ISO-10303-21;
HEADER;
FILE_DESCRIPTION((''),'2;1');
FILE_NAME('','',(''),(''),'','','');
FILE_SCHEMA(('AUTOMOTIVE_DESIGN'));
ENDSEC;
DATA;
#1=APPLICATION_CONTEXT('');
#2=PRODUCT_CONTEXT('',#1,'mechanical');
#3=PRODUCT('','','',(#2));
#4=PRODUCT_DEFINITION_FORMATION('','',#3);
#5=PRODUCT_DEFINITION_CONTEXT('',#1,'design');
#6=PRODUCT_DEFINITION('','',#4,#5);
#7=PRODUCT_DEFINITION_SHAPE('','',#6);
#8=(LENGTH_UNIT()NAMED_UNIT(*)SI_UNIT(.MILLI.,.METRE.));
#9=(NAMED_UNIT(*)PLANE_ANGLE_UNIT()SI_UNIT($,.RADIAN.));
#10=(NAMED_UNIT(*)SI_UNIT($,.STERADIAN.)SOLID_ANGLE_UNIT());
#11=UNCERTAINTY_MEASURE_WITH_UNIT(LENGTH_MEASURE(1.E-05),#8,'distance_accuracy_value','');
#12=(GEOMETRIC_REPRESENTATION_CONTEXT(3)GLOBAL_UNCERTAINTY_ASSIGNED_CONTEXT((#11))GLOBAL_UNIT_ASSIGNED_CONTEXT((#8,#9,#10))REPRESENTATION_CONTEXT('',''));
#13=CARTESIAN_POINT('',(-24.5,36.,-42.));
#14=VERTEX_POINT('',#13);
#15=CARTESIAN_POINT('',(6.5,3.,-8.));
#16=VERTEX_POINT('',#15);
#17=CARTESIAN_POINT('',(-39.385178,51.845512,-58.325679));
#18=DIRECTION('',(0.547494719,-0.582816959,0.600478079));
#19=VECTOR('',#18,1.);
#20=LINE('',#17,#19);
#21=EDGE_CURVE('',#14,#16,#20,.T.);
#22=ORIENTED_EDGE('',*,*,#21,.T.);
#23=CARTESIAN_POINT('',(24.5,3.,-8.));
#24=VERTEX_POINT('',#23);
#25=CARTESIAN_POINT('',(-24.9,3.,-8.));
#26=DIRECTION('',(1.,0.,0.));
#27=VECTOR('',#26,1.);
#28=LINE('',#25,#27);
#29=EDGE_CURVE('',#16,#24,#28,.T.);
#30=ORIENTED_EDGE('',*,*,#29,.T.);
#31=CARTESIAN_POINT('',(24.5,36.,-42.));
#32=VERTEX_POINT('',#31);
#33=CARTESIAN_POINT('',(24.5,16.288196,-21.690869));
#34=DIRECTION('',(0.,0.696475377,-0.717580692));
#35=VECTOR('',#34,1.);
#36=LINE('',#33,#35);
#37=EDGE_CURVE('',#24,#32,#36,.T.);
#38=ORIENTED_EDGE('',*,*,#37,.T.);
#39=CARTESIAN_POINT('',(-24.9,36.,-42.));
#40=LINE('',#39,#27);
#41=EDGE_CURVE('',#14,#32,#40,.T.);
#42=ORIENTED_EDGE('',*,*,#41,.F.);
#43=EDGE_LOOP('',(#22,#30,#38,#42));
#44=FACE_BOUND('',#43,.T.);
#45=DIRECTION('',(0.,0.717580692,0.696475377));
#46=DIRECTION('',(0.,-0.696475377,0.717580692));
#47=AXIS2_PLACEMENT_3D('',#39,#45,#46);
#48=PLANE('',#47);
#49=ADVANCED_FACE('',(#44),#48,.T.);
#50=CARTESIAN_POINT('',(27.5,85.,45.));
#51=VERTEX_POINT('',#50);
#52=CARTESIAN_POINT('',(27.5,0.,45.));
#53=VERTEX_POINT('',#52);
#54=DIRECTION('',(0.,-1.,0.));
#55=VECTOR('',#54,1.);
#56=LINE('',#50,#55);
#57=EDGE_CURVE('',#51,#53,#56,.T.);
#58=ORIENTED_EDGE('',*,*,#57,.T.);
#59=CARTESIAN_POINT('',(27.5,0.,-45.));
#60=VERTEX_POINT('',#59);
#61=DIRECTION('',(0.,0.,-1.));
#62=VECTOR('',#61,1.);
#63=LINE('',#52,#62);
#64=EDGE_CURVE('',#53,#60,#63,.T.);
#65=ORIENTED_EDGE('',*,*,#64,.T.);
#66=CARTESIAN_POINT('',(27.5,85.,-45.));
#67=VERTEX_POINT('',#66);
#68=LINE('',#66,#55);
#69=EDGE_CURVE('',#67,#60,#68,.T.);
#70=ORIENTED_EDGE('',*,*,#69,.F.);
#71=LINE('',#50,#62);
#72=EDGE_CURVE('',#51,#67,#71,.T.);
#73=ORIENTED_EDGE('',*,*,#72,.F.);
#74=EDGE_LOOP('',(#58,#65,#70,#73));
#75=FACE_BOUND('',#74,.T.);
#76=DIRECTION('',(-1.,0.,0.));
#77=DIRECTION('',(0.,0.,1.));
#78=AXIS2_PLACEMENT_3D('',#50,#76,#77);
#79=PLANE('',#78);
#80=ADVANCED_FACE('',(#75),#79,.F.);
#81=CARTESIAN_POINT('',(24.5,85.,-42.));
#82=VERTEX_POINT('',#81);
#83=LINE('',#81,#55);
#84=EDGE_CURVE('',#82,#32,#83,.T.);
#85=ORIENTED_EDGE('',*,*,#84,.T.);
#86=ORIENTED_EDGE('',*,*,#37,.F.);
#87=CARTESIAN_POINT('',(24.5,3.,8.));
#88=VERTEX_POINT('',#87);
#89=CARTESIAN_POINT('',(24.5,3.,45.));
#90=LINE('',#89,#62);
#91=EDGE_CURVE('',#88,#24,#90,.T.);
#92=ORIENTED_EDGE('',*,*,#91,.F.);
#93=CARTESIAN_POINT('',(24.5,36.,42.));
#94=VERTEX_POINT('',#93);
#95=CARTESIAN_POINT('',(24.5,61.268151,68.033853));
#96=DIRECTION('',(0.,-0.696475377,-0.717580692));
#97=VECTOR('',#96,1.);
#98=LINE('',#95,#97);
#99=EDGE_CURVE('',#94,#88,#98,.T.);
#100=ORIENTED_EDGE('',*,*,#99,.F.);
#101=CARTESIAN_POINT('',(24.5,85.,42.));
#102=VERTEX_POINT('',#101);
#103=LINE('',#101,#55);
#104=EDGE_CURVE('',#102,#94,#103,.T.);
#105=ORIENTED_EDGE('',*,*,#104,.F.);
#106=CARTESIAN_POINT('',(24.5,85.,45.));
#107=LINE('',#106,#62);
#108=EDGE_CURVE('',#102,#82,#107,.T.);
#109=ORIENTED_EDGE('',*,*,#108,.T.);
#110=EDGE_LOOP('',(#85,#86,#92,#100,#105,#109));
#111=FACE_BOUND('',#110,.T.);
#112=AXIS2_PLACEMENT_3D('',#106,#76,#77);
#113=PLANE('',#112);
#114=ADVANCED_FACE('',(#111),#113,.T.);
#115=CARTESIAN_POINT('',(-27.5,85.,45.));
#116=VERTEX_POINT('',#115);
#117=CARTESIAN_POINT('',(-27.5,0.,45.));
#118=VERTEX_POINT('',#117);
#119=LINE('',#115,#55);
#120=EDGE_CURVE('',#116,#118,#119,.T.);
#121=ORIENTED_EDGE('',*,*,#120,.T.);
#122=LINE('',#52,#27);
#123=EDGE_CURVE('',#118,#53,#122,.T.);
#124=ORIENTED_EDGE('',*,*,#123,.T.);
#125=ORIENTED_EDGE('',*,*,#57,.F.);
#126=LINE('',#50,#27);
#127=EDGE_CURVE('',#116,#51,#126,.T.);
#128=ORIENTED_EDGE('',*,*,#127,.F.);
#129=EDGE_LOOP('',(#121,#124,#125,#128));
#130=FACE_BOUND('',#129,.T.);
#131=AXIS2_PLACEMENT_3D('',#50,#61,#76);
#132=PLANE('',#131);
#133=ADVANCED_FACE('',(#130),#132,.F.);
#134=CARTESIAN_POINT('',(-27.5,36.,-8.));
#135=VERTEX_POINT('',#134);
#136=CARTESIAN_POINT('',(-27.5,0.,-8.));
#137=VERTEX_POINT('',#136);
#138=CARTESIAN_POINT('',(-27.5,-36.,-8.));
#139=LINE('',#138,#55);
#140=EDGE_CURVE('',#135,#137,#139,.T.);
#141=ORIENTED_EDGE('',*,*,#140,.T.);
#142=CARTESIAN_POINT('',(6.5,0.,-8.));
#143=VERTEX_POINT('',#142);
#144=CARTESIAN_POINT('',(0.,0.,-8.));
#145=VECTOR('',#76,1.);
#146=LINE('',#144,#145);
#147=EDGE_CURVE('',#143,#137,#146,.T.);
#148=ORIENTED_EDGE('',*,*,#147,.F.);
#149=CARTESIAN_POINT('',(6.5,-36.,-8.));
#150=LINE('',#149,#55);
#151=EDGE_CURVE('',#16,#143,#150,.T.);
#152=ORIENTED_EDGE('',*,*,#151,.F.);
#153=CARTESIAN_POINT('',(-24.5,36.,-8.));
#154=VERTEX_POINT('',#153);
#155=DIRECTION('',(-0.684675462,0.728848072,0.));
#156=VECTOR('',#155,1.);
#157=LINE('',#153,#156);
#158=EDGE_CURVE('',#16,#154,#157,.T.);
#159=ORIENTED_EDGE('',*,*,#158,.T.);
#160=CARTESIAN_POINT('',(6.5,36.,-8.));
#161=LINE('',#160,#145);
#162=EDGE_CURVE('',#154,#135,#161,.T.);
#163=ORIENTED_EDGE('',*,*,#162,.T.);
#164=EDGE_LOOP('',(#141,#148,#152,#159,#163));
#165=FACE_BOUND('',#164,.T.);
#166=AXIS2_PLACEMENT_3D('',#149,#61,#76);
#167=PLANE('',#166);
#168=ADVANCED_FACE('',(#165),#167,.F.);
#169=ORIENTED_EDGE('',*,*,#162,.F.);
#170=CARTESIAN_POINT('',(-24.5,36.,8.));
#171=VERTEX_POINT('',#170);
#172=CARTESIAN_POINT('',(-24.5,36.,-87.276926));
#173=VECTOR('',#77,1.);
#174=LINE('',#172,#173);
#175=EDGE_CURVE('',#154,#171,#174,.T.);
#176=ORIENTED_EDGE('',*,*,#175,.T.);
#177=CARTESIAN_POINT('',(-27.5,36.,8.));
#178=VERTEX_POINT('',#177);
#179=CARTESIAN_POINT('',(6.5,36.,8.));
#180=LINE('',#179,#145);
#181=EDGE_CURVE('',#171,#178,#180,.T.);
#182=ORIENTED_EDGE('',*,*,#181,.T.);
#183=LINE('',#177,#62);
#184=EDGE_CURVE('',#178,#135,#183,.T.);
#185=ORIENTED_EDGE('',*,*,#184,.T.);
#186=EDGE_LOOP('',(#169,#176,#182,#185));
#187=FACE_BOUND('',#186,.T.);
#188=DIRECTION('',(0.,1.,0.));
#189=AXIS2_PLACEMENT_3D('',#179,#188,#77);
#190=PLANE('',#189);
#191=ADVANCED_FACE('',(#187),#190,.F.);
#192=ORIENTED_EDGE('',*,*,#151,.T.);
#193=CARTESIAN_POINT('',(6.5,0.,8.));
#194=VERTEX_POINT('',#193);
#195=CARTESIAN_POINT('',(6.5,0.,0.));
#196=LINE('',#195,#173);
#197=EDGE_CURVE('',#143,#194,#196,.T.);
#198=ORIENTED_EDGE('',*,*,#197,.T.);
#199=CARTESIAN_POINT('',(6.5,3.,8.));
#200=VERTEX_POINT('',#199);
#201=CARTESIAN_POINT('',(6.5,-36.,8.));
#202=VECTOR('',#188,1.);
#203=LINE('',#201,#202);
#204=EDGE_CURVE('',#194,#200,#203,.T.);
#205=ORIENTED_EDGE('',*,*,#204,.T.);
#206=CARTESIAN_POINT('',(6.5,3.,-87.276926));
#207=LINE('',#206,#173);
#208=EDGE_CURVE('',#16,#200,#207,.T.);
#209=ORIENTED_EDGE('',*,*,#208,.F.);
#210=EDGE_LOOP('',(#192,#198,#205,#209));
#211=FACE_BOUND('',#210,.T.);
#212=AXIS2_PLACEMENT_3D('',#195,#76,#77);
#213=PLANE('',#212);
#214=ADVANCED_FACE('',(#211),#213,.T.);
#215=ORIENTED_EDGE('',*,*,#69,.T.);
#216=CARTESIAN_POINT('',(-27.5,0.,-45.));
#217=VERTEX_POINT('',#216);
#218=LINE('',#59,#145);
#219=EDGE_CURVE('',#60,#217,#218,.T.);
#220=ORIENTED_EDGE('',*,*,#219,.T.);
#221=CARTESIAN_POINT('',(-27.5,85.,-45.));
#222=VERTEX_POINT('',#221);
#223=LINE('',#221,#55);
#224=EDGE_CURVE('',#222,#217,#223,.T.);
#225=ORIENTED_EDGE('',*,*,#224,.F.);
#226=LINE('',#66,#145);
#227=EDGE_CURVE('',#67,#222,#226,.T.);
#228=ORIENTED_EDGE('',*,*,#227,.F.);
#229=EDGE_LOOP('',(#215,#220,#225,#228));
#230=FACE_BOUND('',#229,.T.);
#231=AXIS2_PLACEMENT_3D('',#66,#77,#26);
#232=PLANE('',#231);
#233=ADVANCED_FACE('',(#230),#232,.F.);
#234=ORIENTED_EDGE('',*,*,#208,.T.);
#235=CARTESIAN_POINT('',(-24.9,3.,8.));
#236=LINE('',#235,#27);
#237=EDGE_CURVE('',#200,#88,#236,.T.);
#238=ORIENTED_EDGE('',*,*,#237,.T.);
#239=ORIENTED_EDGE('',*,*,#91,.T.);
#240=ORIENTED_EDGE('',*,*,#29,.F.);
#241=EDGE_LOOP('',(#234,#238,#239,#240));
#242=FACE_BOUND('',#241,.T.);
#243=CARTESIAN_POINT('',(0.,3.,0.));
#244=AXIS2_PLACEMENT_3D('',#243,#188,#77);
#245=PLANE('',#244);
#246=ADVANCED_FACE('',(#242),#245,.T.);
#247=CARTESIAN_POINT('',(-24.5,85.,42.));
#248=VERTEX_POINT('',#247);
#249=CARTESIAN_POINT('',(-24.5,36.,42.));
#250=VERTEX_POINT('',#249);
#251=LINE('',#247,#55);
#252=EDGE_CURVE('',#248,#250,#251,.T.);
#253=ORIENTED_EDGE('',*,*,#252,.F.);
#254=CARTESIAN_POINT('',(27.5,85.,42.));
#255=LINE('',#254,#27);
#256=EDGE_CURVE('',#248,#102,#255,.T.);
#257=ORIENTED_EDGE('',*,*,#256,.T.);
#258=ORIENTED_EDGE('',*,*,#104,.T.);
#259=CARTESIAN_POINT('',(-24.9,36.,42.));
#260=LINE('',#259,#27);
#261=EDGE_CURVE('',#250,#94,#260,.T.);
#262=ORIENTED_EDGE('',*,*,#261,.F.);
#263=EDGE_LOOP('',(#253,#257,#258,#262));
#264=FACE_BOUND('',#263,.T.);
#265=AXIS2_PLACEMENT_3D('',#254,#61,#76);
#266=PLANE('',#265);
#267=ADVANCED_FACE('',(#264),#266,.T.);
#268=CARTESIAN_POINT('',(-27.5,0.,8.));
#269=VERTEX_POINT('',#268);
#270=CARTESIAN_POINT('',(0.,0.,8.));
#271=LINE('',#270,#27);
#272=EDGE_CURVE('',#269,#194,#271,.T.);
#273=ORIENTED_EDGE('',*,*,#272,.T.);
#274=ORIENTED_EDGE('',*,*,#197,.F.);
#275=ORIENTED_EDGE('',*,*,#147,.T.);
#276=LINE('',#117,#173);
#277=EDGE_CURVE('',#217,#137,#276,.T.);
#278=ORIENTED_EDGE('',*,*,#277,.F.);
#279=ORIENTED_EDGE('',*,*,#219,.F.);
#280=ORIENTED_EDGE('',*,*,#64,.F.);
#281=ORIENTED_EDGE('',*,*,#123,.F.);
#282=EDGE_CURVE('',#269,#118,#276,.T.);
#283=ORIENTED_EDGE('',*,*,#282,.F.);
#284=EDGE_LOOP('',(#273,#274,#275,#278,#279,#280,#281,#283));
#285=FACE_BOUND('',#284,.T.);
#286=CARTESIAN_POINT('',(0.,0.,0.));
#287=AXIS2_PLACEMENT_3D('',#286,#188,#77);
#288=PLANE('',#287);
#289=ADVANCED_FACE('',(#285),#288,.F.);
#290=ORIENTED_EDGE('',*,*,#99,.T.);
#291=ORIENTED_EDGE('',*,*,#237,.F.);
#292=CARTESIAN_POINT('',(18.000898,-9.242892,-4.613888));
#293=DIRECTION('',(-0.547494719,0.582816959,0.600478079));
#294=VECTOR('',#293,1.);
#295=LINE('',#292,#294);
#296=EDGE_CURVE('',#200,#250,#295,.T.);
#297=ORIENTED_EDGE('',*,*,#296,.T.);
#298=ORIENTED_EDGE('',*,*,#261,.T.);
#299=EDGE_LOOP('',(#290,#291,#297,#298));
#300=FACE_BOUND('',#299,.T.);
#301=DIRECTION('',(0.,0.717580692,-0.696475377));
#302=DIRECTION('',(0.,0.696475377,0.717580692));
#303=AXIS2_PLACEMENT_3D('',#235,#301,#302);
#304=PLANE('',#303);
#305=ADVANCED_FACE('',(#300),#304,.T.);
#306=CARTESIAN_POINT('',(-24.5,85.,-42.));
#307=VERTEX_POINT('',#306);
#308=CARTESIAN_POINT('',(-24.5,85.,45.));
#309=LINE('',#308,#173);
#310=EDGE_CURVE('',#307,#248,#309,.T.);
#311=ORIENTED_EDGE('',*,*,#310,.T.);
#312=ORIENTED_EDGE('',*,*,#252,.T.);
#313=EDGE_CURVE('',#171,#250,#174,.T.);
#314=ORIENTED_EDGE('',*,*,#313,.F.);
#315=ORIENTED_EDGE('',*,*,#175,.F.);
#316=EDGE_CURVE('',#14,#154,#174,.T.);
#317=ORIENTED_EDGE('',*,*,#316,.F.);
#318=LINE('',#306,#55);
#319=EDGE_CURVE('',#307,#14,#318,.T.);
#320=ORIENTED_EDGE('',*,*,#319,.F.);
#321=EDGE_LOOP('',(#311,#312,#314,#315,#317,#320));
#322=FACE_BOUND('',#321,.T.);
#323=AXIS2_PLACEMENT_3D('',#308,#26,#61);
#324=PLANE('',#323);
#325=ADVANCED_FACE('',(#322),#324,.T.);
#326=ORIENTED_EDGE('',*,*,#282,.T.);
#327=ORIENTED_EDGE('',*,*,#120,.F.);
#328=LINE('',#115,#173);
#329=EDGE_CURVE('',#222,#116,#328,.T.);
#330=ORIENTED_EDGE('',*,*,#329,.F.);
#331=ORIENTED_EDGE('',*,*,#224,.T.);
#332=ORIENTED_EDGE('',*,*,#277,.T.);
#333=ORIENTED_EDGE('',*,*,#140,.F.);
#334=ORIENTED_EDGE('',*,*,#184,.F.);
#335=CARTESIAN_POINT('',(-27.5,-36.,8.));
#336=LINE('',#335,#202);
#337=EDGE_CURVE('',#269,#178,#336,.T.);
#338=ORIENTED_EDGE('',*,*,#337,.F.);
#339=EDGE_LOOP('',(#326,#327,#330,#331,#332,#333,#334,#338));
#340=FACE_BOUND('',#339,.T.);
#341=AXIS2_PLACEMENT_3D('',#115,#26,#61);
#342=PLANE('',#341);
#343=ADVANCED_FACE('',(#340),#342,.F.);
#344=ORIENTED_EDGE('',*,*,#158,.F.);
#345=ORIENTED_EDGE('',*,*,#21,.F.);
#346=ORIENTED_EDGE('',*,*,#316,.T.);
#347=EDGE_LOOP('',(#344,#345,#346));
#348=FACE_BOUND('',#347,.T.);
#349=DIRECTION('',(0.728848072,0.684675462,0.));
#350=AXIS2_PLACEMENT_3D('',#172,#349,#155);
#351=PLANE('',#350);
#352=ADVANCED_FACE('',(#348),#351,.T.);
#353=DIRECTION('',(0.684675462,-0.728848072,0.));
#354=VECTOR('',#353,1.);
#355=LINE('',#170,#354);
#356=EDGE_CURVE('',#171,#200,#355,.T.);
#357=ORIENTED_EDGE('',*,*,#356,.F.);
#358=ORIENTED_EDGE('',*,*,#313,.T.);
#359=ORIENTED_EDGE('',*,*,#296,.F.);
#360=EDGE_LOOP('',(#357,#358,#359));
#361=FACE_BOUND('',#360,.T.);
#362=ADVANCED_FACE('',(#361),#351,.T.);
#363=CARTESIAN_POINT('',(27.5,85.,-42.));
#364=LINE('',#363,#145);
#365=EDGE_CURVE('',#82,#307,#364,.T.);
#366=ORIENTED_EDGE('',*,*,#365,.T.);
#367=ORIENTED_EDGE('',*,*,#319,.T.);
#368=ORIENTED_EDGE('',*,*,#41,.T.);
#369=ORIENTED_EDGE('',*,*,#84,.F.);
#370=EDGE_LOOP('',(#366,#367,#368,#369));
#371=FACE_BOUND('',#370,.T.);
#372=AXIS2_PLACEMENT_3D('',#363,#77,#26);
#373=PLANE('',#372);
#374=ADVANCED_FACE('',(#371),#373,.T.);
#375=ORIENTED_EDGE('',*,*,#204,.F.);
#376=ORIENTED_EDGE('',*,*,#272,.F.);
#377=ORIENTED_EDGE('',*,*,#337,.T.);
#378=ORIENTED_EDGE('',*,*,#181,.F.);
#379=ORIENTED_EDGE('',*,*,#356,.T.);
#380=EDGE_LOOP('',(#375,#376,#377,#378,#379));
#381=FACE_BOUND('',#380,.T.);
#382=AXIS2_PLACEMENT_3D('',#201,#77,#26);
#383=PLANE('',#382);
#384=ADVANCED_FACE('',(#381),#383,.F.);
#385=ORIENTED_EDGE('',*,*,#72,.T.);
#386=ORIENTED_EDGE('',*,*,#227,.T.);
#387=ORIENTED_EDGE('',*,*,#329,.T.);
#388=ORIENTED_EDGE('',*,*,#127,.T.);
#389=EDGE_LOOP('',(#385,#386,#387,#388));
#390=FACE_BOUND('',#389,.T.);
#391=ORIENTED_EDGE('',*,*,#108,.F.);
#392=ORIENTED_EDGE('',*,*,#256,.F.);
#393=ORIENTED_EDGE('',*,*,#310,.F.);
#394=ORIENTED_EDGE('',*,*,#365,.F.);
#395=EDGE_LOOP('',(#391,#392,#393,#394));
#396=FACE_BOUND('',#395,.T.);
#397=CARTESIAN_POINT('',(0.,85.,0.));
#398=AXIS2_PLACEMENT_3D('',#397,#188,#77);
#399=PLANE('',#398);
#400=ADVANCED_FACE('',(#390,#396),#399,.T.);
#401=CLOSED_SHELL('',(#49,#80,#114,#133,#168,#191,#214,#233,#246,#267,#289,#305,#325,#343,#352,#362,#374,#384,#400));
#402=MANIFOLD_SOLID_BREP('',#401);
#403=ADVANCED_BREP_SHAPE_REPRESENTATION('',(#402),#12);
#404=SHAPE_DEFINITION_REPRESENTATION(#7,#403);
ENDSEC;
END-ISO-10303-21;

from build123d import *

# Parameters (mm, degrees)
SKETCH1_W           = 55
SKETCH1_H           = 90
BOSS_EXTRUDE1_DEPTH = 85
SHELL1_T            = -3
BOSS_EXTRUDE4_DEPTH = 87
SKETCH5_W           = 16
SKETCH5_H           = 72
CUT_EXTRUDE2_DEPTH  = 34
BOSS_EXTRUDE5_DEPTH = 52.4


with BuildPart() as part:
    # Sketch1 → Boss-Extrude1 (new body)
    with BuildSketch(Plane(origin=(0, 0, 0), x_dir=(1, 0, 0), z_dir=(0, 1, 0))):
        Rectangle(SKETCH1_W, SKETCH1_H)
    extrude(amount=BOSS_EXTRUDE1_DEPTH)

    # Shell1
    shell1_openings = [part.faces().sort_by_distance(p)[0] for p in [
        (0, 85, 0),
    ]]
    offset(amount=SHELL1_T, openings=shell1_openings, kind=Kind.INTERSECTION)

    # Sketch4 → Boss-Extrude4 (add)
    with BuildSketch(Plane.XY.offset(45)):
        Polygon((-24.5, 36), (6.5, 3), (-24.5, 3), align=None)
    extrude(amount=-BOSS_EXTRUDE4_DEPTH)

    # Sketch5 → Cut-Extrude2 (cut)
    with BuildSketch(Plane.ZY.offset(27.5)):
        Rectangle(SKETCH5_W, SKETCH5_H)
    extrude(amount=-CUT_EXTRUDE2_DEPTH, mode=Mode.SUBTRACT)

    # Sketch7 → Boss-Extrude5 (add)
    with BuildSketch(Plane(origin=(27.5, 0, 0), x_dir=(0, 0, -1), z_dir=(1, 0, 0))):
        Polygon((-42, 36), (-42, 3), (-8, 3), align=None)
        Polygon((8, 3), (42, 3), (42, 36), align=None)
    extrude(amount=-BOSS_EXTRUDE5_DEPTH)


solid = part.part
